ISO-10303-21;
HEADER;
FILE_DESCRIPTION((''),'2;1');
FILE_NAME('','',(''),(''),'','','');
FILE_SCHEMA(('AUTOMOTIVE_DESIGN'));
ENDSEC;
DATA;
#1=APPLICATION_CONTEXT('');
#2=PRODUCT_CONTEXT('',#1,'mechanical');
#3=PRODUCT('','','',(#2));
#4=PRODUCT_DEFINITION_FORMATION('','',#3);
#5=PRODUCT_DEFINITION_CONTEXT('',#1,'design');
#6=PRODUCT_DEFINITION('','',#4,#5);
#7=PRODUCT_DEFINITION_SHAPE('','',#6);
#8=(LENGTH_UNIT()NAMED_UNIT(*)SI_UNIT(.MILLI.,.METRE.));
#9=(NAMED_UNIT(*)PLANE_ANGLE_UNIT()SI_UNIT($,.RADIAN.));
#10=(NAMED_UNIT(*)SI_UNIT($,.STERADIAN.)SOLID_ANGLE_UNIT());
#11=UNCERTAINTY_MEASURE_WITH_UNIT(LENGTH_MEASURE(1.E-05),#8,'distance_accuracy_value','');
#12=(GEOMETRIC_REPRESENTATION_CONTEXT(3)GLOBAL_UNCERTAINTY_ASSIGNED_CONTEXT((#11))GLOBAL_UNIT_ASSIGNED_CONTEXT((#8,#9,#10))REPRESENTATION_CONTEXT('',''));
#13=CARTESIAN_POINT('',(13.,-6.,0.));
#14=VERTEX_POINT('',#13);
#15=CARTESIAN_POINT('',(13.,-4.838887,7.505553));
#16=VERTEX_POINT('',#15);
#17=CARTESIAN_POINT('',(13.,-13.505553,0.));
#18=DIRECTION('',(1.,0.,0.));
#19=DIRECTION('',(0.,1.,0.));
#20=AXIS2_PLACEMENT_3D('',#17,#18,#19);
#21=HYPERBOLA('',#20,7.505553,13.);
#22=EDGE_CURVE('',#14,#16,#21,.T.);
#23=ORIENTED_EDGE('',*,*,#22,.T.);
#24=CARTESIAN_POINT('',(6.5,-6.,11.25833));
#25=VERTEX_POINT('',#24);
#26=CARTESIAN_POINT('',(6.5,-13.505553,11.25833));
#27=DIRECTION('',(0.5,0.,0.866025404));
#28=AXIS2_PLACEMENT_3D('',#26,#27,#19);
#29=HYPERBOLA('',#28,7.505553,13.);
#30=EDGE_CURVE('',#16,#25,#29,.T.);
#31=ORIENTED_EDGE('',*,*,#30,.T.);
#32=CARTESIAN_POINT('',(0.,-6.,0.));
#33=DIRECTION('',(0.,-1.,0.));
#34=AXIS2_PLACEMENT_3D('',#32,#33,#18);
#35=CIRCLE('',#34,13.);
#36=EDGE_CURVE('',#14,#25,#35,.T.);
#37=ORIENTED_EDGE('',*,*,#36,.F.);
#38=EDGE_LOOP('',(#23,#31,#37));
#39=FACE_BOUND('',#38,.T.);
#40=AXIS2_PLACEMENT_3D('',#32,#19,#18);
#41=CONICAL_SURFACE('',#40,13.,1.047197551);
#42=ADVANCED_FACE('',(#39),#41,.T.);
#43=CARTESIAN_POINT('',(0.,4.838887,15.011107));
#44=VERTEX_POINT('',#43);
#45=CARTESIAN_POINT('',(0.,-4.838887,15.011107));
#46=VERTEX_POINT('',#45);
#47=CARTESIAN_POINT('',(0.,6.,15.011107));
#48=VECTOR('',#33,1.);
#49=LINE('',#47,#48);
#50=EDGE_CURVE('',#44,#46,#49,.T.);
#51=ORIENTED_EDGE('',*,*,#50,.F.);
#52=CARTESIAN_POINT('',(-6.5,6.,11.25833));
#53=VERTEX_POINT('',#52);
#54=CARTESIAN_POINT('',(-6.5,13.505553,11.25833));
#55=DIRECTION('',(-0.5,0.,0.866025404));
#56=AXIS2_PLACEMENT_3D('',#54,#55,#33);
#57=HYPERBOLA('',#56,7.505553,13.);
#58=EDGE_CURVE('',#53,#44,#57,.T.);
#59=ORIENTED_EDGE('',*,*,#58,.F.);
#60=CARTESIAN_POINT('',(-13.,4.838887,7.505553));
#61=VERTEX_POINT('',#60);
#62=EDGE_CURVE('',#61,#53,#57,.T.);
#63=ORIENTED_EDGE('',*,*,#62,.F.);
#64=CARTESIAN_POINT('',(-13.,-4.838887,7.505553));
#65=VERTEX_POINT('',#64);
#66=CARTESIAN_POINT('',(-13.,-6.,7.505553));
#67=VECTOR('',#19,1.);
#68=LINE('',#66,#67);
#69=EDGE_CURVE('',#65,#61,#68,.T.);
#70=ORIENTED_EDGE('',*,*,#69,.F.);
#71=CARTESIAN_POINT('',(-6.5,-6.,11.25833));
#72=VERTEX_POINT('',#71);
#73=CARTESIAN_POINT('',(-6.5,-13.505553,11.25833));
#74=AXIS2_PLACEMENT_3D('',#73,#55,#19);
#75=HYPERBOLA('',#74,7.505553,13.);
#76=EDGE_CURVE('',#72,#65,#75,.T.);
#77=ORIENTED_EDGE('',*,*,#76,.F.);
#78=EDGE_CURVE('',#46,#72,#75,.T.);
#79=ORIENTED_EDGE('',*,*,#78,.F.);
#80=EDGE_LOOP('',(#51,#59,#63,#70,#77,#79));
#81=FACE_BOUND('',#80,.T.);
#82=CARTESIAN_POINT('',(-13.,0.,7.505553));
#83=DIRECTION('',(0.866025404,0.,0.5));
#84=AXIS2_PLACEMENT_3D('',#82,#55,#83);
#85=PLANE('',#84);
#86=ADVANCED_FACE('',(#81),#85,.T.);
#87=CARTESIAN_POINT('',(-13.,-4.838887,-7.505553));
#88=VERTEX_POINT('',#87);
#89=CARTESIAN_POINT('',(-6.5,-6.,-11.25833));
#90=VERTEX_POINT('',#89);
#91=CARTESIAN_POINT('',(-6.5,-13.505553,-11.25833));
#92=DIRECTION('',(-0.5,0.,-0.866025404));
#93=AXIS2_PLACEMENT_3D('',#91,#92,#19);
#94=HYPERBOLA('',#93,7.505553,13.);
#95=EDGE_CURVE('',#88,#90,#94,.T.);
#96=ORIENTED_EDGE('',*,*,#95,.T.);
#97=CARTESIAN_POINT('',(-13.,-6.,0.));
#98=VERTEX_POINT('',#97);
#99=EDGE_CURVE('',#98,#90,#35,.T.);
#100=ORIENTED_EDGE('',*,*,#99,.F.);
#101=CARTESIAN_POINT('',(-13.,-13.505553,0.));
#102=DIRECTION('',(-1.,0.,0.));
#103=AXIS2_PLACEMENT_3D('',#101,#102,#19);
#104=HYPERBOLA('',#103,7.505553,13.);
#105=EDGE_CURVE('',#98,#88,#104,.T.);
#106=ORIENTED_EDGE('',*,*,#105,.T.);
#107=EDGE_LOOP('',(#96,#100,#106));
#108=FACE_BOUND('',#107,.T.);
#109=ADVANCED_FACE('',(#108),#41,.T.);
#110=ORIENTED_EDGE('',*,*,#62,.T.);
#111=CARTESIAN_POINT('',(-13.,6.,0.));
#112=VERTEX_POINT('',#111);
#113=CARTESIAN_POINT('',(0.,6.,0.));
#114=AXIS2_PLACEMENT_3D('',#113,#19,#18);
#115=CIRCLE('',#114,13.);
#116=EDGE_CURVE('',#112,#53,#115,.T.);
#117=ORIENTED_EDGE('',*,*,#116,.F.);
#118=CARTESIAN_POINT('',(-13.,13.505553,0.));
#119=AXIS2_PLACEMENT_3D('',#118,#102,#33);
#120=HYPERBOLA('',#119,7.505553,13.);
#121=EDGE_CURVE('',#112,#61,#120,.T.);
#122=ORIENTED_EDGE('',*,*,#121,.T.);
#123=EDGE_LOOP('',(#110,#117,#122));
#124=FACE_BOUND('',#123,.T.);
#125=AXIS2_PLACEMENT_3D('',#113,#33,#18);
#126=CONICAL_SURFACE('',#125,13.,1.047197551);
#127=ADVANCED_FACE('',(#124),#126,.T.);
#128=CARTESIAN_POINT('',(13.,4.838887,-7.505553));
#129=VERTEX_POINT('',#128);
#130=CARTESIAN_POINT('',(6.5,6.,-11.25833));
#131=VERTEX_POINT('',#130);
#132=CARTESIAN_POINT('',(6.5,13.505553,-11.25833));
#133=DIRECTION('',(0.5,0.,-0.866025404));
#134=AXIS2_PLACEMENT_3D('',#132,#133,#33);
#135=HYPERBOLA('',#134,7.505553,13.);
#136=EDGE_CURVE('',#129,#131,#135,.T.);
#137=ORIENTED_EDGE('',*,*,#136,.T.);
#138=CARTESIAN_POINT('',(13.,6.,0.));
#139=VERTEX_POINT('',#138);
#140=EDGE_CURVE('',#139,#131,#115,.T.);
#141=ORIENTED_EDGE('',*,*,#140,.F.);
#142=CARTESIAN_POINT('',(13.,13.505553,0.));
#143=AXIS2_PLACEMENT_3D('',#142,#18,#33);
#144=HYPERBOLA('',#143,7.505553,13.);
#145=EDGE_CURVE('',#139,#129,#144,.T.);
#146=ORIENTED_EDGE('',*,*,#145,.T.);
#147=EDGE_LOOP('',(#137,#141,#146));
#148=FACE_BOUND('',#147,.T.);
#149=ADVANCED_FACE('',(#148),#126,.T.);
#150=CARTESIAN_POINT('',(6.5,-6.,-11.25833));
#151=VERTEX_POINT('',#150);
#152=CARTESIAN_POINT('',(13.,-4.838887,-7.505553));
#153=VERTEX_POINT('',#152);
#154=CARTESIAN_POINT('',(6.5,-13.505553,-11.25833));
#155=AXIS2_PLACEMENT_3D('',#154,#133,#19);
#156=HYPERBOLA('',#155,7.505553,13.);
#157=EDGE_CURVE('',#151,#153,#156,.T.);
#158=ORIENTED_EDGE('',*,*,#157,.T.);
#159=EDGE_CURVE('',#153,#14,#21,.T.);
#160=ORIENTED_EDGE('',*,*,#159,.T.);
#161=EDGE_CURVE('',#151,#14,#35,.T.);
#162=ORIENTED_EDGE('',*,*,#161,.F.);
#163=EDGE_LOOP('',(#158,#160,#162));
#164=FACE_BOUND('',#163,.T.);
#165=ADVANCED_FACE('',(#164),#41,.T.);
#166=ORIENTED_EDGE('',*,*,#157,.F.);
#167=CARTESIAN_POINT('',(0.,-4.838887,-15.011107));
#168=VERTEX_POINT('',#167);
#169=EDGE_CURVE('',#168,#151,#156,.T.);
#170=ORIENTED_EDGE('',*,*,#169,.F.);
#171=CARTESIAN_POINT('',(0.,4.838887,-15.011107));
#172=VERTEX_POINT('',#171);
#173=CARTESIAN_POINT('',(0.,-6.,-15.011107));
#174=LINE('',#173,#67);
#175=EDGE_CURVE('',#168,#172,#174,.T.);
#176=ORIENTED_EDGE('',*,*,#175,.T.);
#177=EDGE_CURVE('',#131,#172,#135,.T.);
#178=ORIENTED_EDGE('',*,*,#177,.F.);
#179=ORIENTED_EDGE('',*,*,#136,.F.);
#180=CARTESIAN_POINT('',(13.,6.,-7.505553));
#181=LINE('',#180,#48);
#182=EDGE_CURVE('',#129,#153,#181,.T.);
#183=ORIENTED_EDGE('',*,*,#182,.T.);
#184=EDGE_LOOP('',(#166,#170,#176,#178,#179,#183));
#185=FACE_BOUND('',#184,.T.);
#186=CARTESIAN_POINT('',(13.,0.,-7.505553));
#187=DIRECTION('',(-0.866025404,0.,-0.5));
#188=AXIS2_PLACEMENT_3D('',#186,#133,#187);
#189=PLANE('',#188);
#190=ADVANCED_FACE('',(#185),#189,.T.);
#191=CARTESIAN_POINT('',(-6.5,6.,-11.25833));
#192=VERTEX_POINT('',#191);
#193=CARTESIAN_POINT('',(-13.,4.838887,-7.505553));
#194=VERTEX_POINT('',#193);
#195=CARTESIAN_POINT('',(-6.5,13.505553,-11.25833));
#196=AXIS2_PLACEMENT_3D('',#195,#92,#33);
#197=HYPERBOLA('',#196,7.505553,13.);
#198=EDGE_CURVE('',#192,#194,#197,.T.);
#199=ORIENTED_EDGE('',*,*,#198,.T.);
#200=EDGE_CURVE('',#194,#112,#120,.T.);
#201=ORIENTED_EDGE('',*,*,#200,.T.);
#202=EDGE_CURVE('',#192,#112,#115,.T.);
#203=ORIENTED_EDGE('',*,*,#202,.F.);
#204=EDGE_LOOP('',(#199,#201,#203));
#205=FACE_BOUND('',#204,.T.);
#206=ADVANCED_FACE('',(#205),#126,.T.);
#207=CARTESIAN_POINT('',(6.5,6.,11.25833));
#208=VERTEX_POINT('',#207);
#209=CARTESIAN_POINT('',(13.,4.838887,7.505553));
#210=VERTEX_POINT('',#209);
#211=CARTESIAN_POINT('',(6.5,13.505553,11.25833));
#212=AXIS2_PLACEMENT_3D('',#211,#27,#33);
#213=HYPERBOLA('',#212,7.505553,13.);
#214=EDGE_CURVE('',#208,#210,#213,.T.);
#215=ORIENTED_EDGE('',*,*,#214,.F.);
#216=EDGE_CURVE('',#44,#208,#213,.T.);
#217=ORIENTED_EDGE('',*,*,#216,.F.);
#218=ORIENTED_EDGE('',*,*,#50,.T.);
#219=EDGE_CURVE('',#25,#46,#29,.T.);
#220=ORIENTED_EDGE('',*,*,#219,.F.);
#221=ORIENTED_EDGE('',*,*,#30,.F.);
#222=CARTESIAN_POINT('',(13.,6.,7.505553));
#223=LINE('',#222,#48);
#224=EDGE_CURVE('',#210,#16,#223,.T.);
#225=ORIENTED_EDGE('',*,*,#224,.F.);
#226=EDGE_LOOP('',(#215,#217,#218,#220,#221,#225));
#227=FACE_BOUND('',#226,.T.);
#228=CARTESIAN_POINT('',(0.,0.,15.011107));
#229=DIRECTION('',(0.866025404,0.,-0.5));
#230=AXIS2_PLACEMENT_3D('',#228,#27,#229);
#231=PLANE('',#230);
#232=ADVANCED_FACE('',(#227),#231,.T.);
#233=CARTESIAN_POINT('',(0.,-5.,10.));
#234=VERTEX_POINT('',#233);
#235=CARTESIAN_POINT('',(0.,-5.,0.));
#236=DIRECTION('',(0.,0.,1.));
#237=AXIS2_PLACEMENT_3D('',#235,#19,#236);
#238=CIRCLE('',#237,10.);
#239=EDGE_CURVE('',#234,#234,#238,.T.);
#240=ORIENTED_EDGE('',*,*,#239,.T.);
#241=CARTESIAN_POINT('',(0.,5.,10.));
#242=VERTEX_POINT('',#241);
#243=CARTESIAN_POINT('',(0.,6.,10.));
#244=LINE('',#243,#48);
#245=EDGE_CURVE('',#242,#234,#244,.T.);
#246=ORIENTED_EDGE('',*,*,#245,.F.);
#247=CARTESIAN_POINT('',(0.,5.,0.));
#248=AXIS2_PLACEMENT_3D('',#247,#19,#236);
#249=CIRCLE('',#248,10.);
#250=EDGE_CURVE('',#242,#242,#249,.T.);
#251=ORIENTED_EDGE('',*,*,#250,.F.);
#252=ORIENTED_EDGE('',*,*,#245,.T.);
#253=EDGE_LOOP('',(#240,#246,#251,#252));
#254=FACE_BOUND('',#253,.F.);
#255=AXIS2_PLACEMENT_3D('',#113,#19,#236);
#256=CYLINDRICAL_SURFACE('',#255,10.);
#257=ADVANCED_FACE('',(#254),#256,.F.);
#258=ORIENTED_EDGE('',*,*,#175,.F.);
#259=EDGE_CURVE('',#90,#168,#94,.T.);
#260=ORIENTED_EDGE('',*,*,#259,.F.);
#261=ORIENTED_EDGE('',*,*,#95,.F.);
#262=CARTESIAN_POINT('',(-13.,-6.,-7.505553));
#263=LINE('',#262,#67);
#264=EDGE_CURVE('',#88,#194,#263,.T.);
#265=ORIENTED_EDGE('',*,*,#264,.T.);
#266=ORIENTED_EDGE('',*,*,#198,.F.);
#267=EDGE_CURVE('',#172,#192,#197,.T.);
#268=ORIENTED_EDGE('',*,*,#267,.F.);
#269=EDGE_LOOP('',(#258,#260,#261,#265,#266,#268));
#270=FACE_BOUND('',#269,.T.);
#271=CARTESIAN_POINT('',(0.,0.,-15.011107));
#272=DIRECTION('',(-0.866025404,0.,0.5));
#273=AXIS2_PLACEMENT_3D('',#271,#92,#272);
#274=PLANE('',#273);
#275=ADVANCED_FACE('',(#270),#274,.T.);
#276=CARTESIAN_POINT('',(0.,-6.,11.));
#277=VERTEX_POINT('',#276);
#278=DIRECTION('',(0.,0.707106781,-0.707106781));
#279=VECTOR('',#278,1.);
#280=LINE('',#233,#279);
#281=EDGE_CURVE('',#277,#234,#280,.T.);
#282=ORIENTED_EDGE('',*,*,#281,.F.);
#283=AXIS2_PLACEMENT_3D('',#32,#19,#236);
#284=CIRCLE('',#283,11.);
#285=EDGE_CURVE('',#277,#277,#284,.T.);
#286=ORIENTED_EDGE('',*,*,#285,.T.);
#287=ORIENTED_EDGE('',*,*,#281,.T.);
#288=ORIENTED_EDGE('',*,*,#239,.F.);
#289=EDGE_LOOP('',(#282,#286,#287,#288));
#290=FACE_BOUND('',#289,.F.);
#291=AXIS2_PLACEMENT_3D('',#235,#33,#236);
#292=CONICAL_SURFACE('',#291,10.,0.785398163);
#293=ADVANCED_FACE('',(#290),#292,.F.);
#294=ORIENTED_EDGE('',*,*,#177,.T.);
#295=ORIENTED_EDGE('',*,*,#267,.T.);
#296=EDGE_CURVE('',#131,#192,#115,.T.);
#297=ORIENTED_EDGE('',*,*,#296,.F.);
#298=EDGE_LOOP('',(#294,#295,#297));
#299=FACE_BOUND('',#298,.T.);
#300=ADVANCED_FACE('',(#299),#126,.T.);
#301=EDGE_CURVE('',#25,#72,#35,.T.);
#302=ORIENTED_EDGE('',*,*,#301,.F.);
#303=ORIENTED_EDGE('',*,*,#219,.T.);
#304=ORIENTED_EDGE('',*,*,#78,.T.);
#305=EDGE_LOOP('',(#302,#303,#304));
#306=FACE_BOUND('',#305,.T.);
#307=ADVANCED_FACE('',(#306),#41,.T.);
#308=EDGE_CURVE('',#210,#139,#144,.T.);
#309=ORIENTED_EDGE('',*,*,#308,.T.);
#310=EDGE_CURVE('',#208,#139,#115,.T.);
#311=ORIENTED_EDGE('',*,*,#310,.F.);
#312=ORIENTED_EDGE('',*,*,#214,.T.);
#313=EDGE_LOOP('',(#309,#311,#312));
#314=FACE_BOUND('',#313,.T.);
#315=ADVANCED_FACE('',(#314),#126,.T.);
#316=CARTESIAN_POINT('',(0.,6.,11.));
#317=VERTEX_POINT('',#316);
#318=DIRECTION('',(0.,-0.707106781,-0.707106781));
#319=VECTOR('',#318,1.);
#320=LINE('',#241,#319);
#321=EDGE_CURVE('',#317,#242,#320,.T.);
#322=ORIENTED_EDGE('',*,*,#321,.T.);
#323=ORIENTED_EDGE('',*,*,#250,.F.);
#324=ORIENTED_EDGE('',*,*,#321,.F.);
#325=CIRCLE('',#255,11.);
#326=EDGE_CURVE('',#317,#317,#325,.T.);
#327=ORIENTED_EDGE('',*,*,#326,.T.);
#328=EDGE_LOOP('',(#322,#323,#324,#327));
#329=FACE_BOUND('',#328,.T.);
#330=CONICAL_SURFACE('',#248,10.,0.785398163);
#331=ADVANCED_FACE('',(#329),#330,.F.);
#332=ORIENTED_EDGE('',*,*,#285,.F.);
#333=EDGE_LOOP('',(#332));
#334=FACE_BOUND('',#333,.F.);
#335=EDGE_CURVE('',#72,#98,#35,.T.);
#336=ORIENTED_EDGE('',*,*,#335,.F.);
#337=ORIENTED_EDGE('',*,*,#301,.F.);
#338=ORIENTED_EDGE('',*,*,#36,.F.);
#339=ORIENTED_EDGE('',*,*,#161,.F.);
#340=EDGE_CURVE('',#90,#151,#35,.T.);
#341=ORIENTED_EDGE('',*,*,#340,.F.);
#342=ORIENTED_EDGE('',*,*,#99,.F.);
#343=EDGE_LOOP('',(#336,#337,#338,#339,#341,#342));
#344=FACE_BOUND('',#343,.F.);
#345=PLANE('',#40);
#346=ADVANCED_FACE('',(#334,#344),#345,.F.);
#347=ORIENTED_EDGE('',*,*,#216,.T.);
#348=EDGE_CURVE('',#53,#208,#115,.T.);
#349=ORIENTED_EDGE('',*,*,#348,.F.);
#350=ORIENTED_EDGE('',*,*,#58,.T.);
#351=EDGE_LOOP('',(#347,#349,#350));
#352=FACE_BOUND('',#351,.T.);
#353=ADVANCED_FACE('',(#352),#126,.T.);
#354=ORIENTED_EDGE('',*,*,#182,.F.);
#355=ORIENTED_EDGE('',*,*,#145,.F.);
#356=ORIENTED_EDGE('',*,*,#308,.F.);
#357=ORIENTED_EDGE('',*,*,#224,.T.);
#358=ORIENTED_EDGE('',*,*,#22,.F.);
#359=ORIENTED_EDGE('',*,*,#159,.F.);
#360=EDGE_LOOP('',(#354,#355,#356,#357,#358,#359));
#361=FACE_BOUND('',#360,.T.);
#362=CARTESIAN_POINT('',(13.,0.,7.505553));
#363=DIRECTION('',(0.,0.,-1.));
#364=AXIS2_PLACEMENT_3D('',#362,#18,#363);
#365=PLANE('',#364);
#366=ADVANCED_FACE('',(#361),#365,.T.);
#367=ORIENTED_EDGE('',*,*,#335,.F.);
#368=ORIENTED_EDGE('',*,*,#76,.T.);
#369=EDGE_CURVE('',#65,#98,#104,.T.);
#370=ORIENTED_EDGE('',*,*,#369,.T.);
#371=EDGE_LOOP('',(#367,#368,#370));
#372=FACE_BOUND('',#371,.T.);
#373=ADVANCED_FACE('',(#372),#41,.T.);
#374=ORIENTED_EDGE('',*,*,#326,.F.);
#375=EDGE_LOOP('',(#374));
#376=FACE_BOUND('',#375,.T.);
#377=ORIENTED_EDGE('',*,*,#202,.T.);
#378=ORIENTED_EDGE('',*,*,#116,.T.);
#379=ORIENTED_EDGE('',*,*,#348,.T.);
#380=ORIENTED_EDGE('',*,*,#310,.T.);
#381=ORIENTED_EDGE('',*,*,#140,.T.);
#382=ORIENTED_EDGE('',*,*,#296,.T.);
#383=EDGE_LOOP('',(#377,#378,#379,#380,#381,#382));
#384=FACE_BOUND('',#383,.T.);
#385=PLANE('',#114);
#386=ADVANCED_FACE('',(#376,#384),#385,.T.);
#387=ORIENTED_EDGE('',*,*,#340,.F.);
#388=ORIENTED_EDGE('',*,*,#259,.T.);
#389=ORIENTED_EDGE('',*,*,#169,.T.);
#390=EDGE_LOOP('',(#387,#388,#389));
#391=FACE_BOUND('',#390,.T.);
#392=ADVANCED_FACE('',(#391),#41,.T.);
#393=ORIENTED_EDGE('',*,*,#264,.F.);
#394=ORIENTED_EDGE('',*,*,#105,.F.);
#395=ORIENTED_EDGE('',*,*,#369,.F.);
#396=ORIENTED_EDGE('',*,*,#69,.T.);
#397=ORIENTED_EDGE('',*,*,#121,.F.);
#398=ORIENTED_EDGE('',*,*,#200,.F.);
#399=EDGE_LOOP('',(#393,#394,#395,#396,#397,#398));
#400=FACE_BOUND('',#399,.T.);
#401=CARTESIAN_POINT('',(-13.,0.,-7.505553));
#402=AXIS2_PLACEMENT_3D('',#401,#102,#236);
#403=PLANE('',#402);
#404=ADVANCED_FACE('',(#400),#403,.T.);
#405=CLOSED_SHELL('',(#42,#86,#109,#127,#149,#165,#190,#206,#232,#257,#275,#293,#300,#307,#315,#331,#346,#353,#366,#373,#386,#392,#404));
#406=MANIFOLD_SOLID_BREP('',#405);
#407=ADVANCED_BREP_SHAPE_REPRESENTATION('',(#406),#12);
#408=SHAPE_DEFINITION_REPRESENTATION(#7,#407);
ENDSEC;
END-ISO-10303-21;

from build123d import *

# Parameters (mm, degrees)
BOSS_EXTRUDE1_DEPTH     = 6
SKETCH2_OUTSIDE_W       = 77.868
SKETCH2_OUTSIDE_H       = 81.89
SKETCH2_OUTSIDE_R       = 13
CUT_EXTRUDE1_DEPTH      = 12
CUT_EXTRUDE1_DRAFT      = -60
MIRROR1_COPY_1_SKETCH_W = 77.868
MIRROR1_COPY_1_SKETCH_H = 81.89
MIRROR1_COPY_1_SKETCH_R = 13
MIRROR1_COPY_1_DEPTH    = 12
MIRROR1_COPY_1_DRAFT    = -60
SKETCH3_R               = 10
CUT_EXTRUDE2_DEPTH      = 24.202011407
CHAMFER1_SIZE           = 1


with BuildPart() as part:
    # Sketch1 → Boss-Extrude1 (new, symmetric)
    with BuildSketch(Plane(origin=(0, 0, 0), x_dir=(1, 0, 0), z_dir=(0, 1, 0))):
        Polygon((13, 7.505553499), (0, 15.011106999), (-13, 7.505553499), (-13, -7.505553499), (0, -15.011106999), (13, -7.505553499), align=None)
    extrude(amount=BOSS_EXTRUDE1_DEPTH, both=True)


with BuildPart() as cut_extrude1_tool:
    # Sketch2 outside → Cut-Extrude1 (with draft: the straight prism first)
    with BuildSketch(Plane(origin=(0, 6, 0), x_dir=(1, 0, 0), z_dir=(0, 1, 0))):
        Rectangle(SKETCH2_OUTSIDE_W, SKETCH2_OUTSIDE_H)
        Circle(SKETCH2_OUTSIDE_R, mode=Mode.SUBTRACT)
    extrude(amount=-CUT_EXTRUDE1_DEPTH)
    # Cut-Extrude1: the draft: its side faces are tilted about the plane it starts from
    cut_extrude1_sides = [cut_extrude1_tool.faces().sort_by_distance(p)[0] for p in [
        (0, 0, 40.945),
        (38.934, 0, 0),
        (0, 0, -40.945),
        (-38.934, 0, 0),
        (-13, 0, 0),
    ]]
    draft(cut_extrude1_sides, Plane(origin=(0, 6, 0), x_dir=(1, 0, 0), z_dir=(0, 1, 0)), CUT_EXTRUDE1_DRAFT)


with BuildPart() as part_1:
    add(part.part)

    # Cut-Extrude1: cut by cut_extrude1_tool
    add(cut_extrude1_tool.part, mode=Mode.SUBTRACT)


with BuildPart() as mirror1_copy_1_tool:
    # Mirror1 copy 1 sketch → Mirror1 copy 1 (with draft: the straight prism first)
    with BuildSketch(Plane.XZ.offset(6)):
        Rectangle(MIRROR1_COPY_1_SKETCH_W, MIRROR1_COPY_1_SKETCH_H)
        Circle(MIRROR1_COPY_1_SKETCH_R, mode=Mode.SUBTRACT)
    extrude(amount=-MIRROR1_COPY_1_DEPTH)
    # Mirror1 copy 1: the draft: its side faces are tilted about the plane it starts from
    mirror1_copy_1_sides = [mirror1_copy_1_tool.faces().sort_by_distance(p)[0] for p in [
        (0, 0, 40.945),
        (38.934, 0, 0),
        (0, 0, -40.945),
        (-38.934, 0, 0),
        (-13, 0, 0),
    ]]
    draft(mirror1_copy_1_sides, Plane.XZ.offset(6), MIRROR1_COPY_1_DRAFT)


with BuildPart() as part_2:
    add(part_1.part)

    # Mirror1 copy 1: cut by mirror1_copy_1_tool
    add(mirror1_copy_1_tool.part, mode=Mode.SUBTRACT)

    # Sketch3 → Cut-Extrude2 (cut, through all)
    with BuildSketch(Plane(origin=(0, 6, 0), x_dir=(1, 0, 0), z_dir=(0, 1, 0))):
        with Locations(Location((0, 0, 0), (0, 0, 270))):
            Circle(SKETCH3_R)
    extrude(amount=-CUT_EXTRUDE2_DEPTH, mode=Mode.SUBTRACT)

    # Chamfer1
    chamfer1_edges = [part_2.edges().sort_by_distance(p)[0] for p in [
        (0, -6, -10),
        (0, 6, -10),
    ]]
    chamfer(chamfer1_edges, length=CHAMFER1_SIZE)


solid = part_2.part
